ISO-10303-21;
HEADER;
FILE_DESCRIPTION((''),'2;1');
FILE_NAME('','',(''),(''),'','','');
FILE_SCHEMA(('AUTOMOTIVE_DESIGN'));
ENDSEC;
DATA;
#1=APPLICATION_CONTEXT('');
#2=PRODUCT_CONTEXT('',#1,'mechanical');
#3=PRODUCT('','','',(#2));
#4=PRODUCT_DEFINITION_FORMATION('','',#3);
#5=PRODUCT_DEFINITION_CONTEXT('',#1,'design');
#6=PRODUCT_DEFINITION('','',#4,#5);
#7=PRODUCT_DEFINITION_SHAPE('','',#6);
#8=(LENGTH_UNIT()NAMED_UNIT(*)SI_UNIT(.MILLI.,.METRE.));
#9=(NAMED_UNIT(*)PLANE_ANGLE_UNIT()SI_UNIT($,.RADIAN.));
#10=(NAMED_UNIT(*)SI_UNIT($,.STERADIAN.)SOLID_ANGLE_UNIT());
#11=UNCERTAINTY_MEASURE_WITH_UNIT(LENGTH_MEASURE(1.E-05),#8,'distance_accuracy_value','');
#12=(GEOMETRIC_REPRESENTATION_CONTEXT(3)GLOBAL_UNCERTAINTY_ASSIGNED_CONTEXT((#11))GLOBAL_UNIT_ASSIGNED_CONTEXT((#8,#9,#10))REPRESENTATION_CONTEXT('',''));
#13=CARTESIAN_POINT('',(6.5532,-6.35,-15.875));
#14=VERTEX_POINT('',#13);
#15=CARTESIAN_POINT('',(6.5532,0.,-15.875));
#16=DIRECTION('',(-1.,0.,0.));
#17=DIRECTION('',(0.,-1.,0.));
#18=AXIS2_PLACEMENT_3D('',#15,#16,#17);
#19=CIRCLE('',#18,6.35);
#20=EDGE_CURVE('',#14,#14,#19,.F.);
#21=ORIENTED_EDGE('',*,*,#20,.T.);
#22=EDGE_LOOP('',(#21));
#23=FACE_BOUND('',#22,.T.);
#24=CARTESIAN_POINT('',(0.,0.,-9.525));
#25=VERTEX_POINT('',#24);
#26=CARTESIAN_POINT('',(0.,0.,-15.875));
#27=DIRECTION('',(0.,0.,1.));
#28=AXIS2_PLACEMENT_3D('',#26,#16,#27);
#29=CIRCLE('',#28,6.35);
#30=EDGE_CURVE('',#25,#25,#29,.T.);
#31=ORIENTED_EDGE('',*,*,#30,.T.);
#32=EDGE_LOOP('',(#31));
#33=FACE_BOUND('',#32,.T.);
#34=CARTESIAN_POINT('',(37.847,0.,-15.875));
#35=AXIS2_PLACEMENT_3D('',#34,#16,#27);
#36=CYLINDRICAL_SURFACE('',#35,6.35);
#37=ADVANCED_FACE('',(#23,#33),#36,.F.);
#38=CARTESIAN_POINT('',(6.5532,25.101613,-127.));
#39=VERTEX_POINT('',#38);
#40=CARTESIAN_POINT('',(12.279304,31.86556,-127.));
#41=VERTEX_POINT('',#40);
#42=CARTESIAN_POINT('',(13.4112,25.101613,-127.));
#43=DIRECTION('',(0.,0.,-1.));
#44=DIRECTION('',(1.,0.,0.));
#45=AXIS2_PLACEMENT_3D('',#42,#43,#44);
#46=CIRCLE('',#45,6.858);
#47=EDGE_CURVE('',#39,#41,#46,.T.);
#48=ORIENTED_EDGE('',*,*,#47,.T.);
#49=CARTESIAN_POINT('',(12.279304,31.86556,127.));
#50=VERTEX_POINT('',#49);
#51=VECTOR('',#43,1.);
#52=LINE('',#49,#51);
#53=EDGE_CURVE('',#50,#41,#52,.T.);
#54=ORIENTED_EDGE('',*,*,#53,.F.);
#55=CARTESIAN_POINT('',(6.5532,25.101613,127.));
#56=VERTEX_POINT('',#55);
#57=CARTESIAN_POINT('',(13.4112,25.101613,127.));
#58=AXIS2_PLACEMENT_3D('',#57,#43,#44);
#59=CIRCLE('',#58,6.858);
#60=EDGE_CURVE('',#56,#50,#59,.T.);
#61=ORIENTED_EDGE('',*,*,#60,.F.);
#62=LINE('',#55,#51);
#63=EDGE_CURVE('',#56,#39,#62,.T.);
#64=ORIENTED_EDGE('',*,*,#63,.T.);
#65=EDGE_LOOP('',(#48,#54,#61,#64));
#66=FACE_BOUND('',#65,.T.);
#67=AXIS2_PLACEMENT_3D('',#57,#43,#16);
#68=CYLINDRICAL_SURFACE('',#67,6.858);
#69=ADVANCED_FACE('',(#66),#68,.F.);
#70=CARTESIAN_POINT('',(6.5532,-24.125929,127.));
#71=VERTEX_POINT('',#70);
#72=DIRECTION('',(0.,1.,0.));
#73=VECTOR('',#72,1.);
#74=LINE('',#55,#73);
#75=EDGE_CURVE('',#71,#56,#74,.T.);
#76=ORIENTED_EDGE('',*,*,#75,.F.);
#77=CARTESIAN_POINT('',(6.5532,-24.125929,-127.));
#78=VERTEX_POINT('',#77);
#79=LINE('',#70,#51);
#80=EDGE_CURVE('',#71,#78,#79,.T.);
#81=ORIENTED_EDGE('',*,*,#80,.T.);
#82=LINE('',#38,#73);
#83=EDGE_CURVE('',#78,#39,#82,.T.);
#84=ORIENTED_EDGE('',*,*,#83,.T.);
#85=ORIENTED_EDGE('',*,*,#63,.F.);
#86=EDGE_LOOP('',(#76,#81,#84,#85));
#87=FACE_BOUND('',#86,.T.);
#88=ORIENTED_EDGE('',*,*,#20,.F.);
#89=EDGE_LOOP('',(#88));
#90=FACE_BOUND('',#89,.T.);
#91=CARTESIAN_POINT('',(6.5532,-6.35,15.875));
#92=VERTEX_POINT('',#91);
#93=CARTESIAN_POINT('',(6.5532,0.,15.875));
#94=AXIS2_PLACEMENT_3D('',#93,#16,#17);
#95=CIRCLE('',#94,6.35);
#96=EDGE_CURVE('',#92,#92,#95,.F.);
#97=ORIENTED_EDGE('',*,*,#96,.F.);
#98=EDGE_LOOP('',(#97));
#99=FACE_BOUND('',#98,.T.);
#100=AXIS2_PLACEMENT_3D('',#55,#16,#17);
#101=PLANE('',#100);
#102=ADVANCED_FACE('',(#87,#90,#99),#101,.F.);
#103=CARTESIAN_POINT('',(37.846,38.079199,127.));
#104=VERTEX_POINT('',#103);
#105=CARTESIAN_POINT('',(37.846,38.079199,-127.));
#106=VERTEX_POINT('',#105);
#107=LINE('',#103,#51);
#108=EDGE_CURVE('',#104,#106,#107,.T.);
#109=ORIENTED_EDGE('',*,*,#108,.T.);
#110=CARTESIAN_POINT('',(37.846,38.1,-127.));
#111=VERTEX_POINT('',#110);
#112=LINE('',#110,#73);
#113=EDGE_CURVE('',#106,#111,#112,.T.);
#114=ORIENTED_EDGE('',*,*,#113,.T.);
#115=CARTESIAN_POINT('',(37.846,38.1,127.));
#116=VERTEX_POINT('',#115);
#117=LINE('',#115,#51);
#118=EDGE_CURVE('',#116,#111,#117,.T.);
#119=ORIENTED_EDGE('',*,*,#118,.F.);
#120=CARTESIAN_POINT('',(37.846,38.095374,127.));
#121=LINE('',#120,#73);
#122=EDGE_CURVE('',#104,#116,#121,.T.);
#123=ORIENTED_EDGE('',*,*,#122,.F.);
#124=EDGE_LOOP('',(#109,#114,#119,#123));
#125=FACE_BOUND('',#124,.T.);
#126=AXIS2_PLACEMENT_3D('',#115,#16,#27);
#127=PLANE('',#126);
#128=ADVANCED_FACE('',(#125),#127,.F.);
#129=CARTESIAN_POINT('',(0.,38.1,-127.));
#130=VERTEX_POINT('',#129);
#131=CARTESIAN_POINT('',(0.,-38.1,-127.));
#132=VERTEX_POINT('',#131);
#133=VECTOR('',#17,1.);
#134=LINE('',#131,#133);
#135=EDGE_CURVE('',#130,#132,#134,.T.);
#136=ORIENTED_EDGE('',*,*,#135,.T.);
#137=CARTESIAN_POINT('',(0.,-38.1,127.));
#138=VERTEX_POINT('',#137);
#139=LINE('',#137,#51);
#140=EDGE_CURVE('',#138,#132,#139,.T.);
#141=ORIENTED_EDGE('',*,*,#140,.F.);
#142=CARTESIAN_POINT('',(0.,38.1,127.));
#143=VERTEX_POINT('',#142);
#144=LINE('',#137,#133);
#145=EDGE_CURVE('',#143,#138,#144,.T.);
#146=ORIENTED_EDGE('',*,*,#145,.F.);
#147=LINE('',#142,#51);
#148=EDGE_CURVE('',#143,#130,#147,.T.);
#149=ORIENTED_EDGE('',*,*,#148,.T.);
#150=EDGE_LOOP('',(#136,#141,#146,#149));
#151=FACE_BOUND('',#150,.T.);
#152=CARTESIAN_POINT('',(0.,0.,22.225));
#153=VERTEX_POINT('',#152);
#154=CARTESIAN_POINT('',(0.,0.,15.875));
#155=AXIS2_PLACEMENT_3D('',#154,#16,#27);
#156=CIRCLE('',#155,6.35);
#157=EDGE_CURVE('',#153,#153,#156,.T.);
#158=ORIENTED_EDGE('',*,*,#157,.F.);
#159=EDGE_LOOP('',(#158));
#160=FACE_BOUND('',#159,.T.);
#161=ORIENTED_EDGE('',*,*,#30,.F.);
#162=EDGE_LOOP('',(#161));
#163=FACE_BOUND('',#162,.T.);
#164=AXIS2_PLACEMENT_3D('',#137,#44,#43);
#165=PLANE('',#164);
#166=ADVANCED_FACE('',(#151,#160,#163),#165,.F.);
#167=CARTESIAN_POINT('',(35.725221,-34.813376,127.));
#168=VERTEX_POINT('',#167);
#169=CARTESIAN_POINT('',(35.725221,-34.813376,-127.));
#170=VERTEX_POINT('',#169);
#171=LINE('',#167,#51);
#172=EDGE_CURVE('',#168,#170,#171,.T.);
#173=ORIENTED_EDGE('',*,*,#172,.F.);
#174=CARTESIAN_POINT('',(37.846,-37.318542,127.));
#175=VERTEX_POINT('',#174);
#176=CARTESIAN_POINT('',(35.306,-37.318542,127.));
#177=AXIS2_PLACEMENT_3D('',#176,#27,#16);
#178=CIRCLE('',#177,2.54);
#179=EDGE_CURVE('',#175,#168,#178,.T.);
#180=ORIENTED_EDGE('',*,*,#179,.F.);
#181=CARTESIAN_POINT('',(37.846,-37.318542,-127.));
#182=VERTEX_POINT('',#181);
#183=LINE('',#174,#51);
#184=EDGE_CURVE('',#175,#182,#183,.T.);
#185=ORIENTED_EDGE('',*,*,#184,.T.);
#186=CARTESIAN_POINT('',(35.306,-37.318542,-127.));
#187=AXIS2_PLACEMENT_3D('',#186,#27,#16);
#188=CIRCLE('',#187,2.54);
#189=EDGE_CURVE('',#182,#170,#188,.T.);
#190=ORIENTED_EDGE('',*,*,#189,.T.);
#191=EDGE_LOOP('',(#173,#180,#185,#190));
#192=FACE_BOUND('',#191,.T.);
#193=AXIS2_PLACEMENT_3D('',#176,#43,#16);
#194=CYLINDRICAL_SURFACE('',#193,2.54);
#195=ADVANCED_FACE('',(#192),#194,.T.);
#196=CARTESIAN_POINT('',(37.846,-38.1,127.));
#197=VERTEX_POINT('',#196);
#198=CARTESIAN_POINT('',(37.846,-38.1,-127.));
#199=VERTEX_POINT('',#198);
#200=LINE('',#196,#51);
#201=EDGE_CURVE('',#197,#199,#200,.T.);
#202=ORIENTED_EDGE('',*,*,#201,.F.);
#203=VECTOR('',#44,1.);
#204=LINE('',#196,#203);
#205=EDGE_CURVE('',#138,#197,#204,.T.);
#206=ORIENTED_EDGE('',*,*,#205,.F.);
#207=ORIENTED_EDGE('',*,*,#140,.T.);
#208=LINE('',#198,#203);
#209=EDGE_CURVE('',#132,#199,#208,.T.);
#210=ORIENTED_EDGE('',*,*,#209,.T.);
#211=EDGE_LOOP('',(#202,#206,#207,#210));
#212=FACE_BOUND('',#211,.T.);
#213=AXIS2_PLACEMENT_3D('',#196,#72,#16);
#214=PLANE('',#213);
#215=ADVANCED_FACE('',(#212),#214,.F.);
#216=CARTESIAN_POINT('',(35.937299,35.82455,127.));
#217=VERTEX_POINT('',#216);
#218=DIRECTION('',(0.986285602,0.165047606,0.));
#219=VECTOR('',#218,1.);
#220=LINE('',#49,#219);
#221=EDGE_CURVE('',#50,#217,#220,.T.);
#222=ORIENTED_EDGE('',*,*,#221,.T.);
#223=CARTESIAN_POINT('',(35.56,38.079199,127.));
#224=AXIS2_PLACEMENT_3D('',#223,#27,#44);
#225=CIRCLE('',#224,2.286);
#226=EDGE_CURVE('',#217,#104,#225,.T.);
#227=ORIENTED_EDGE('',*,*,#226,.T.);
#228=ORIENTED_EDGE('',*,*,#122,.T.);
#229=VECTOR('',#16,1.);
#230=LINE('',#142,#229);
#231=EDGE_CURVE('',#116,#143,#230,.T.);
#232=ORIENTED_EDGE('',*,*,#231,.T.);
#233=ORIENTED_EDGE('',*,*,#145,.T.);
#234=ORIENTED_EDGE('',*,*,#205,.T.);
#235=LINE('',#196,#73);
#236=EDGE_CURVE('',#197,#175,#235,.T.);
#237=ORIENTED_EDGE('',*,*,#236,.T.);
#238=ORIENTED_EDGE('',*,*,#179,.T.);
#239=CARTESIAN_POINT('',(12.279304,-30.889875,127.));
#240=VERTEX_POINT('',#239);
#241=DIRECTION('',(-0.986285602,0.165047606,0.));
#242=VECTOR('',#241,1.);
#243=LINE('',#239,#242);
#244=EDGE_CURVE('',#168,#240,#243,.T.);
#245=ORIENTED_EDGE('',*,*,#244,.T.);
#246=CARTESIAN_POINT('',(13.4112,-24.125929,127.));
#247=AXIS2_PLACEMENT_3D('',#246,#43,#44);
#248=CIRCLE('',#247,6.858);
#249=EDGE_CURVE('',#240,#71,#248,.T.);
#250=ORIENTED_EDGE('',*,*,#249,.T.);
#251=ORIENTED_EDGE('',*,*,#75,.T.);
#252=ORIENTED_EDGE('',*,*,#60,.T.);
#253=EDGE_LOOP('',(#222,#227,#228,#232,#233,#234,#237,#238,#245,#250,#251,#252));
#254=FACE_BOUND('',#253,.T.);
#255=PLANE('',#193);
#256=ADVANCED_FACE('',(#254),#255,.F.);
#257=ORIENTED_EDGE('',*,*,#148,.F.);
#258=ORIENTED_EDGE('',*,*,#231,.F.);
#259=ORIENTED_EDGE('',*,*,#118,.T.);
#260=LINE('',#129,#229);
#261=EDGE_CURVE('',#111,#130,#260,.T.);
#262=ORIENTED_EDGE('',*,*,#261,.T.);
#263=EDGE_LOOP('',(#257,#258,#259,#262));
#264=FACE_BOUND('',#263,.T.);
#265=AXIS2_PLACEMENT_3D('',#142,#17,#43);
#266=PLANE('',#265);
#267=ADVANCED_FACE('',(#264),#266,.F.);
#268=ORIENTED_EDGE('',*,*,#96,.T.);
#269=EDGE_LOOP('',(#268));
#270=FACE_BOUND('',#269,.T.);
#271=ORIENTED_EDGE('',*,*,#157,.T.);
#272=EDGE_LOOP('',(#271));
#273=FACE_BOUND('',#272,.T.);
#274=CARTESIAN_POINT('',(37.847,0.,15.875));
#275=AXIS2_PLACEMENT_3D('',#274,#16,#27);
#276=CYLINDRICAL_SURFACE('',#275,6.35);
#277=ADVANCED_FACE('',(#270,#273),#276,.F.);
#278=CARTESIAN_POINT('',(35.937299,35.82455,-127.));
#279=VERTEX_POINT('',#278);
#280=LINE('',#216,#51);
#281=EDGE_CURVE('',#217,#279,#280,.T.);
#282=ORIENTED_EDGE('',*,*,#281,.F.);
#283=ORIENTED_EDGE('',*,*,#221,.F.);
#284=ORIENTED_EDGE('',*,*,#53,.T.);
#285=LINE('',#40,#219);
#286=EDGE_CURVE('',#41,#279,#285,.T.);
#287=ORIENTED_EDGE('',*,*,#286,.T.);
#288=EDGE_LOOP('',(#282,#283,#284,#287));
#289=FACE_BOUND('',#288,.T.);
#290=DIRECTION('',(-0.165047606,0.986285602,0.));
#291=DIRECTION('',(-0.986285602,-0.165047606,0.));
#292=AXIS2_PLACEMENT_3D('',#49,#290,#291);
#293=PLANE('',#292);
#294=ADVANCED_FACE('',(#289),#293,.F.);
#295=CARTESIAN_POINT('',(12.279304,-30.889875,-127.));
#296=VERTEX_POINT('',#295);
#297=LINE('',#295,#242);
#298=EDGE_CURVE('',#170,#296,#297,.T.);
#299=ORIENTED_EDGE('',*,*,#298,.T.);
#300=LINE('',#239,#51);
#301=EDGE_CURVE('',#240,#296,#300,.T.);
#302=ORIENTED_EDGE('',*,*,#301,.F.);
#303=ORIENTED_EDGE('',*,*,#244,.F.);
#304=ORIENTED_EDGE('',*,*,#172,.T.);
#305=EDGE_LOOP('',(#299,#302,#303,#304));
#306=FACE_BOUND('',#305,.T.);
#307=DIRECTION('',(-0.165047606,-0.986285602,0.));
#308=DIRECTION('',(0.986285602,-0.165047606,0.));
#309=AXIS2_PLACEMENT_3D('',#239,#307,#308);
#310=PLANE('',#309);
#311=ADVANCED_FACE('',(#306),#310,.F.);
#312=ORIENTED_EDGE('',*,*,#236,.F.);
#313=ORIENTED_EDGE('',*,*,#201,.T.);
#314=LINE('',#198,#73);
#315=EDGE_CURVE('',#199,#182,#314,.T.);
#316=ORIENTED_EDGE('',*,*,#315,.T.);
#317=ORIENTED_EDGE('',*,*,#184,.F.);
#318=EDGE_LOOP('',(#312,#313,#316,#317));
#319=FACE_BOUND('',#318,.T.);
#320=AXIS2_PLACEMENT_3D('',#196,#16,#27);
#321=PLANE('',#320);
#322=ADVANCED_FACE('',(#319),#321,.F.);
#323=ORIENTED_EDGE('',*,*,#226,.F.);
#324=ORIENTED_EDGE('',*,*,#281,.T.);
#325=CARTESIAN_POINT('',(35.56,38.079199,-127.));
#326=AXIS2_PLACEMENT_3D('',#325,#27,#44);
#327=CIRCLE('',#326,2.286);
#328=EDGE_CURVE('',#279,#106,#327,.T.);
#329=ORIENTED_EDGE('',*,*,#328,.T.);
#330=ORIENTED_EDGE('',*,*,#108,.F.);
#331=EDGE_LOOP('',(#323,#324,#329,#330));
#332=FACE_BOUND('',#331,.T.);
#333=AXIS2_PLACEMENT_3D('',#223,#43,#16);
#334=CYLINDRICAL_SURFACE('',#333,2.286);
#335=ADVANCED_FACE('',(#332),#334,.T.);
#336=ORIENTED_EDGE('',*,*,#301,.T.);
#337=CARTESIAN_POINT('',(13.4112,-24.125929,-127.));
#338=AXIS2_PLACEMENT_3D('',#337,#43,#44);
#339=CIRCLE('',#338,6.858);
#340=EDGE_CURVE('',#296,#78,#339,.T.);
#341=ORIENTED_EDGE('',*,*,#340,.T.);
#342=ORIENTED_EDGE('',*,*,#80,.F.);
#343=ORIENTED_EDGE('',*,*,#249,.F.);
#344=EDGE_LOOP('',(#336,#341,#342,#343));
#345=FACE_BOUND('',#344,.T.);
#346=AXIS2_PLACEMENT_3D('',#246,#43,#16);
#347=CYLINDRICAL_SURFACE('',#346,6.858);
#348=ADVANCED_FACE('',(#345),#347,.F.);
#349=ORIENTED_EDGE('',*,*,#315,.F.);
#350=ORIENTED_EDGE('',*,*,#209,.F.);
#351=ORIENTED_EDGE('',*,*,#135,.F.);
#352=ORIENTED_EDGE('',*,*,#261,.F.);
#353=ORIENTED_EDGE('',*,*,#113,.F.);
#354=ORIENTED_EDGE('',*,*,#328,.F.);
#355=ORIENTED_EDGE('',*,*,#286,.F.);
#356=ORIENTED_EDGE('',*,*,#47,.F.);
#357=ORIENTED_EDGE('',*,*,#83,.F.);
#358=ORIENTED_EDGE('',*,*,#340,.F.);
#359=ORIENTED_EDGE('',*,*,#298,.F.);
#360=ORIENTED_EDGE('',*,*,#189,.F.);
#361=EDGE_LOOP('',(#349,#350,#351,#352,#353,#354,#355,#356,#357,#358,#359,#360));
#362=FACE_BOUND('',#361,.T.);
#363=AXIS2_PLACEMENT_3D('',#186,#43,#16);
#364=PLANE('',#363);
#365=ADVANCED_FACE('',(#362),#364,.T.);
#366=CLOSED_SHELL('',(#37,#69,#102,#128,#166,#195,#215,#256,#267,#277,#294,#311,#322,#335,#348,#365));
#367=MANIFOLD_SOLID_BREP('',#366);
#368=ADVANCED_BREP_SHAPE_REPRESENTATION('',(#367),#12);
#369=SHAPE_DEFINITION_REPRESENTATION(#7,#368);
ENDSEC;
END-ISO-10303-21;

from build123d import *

# Parameters (mm, degrees)
BOSS_EXTRUDE1_DEPTH = 127
CUT_EXTRUDE1_REACH  = 39.846
SKETCH3_R           = 6.35


with BuildPart() as part:
    # Sketch1 → Boss-Extrude1 (new body, symmetric)
    with BuildSketch(Plane.XY):
        with BuildLine():
            Line((37.846, -38.1), (0, -38.1))
            Line((0, -38.1), (0, 38.1))
            Line((0, 38.1), (37.846, 38.1))
            Line((37.846, 38.1), (37.846, 38.095373852))
            Line((37.846, 38.095373852), (37.846, 38.07919906))
            ThreePointArc((37.846, 38.07919906), (37.304749426, 36.602159643), (35.937298827, 35.824550175))
            Line((35.937298827, 35.824550175), (12.279303519, 31.865559515))
            ThreePointArc((12.279303519, 31.865559515), (8.176951722, 29.532731112), (6.5532, 25.101612859))
            Line((6.5532, 25.101612859), (6.5532, -24.125928831))
            ThreePointArc((6.5532, -24.125928831), (8.176951722, -28.557047083), (12.279303519, -30.889875486))
            Line((12.279303519, -30.889875486), (35.725220919, -34.813376476))
            ThreePointArc((35.725220919, -34.813376476), (37.244610473, -35.677386996), (37.846, -37.318541904))
            Line((37.846, -37.318541904), (37.846, -38.1))
        make_face()
    extrude(amount=BOSS_EXTRUDE1_DEPTH, both=True)

    # Sketch3 → Cut-Extrude1 (cut, up to next)
    with BuildSketch(Plane.ZY, mode=Mode.PRIVATE) as cut_extrude1_sk1:
        with Locations((-15.875, 0)):
            Circle(SKETCH3_R)
    cut_extrude1_tool1 = extrude(cut_extrude1_sk1.sketch, amount=-CUT_EXTRUDE1_REACH, mode=Mode.PRIVATE) & part.part
    add(cut_extrude1_tool1.solids().sort_by_distance((0, 0, -15.875))[0], mode=Mode.SUBTRACT)
    # Sketch3 → Cut-Extrude1 (cut, up to next)
    with BuildSketch(Plane.ZY, mode=Mode.PRIVATE) as cut_extrude1_sk2:
        with Locations((15.875, 0)):
            Circle(SKETCH3_R)
    cut_extrude1_tool2 = extrude(cut_extrude1_sk2.sketch, amount=-CUT_EXTRUDE1_REACH, mode=Mode.PRIVATE) & part.part
    add(cut_extrude1_tool2.solids().sort_by_distance((0, 0, 15.875))[0], mode=Mode.SUBTRACT)


solid = part.part
